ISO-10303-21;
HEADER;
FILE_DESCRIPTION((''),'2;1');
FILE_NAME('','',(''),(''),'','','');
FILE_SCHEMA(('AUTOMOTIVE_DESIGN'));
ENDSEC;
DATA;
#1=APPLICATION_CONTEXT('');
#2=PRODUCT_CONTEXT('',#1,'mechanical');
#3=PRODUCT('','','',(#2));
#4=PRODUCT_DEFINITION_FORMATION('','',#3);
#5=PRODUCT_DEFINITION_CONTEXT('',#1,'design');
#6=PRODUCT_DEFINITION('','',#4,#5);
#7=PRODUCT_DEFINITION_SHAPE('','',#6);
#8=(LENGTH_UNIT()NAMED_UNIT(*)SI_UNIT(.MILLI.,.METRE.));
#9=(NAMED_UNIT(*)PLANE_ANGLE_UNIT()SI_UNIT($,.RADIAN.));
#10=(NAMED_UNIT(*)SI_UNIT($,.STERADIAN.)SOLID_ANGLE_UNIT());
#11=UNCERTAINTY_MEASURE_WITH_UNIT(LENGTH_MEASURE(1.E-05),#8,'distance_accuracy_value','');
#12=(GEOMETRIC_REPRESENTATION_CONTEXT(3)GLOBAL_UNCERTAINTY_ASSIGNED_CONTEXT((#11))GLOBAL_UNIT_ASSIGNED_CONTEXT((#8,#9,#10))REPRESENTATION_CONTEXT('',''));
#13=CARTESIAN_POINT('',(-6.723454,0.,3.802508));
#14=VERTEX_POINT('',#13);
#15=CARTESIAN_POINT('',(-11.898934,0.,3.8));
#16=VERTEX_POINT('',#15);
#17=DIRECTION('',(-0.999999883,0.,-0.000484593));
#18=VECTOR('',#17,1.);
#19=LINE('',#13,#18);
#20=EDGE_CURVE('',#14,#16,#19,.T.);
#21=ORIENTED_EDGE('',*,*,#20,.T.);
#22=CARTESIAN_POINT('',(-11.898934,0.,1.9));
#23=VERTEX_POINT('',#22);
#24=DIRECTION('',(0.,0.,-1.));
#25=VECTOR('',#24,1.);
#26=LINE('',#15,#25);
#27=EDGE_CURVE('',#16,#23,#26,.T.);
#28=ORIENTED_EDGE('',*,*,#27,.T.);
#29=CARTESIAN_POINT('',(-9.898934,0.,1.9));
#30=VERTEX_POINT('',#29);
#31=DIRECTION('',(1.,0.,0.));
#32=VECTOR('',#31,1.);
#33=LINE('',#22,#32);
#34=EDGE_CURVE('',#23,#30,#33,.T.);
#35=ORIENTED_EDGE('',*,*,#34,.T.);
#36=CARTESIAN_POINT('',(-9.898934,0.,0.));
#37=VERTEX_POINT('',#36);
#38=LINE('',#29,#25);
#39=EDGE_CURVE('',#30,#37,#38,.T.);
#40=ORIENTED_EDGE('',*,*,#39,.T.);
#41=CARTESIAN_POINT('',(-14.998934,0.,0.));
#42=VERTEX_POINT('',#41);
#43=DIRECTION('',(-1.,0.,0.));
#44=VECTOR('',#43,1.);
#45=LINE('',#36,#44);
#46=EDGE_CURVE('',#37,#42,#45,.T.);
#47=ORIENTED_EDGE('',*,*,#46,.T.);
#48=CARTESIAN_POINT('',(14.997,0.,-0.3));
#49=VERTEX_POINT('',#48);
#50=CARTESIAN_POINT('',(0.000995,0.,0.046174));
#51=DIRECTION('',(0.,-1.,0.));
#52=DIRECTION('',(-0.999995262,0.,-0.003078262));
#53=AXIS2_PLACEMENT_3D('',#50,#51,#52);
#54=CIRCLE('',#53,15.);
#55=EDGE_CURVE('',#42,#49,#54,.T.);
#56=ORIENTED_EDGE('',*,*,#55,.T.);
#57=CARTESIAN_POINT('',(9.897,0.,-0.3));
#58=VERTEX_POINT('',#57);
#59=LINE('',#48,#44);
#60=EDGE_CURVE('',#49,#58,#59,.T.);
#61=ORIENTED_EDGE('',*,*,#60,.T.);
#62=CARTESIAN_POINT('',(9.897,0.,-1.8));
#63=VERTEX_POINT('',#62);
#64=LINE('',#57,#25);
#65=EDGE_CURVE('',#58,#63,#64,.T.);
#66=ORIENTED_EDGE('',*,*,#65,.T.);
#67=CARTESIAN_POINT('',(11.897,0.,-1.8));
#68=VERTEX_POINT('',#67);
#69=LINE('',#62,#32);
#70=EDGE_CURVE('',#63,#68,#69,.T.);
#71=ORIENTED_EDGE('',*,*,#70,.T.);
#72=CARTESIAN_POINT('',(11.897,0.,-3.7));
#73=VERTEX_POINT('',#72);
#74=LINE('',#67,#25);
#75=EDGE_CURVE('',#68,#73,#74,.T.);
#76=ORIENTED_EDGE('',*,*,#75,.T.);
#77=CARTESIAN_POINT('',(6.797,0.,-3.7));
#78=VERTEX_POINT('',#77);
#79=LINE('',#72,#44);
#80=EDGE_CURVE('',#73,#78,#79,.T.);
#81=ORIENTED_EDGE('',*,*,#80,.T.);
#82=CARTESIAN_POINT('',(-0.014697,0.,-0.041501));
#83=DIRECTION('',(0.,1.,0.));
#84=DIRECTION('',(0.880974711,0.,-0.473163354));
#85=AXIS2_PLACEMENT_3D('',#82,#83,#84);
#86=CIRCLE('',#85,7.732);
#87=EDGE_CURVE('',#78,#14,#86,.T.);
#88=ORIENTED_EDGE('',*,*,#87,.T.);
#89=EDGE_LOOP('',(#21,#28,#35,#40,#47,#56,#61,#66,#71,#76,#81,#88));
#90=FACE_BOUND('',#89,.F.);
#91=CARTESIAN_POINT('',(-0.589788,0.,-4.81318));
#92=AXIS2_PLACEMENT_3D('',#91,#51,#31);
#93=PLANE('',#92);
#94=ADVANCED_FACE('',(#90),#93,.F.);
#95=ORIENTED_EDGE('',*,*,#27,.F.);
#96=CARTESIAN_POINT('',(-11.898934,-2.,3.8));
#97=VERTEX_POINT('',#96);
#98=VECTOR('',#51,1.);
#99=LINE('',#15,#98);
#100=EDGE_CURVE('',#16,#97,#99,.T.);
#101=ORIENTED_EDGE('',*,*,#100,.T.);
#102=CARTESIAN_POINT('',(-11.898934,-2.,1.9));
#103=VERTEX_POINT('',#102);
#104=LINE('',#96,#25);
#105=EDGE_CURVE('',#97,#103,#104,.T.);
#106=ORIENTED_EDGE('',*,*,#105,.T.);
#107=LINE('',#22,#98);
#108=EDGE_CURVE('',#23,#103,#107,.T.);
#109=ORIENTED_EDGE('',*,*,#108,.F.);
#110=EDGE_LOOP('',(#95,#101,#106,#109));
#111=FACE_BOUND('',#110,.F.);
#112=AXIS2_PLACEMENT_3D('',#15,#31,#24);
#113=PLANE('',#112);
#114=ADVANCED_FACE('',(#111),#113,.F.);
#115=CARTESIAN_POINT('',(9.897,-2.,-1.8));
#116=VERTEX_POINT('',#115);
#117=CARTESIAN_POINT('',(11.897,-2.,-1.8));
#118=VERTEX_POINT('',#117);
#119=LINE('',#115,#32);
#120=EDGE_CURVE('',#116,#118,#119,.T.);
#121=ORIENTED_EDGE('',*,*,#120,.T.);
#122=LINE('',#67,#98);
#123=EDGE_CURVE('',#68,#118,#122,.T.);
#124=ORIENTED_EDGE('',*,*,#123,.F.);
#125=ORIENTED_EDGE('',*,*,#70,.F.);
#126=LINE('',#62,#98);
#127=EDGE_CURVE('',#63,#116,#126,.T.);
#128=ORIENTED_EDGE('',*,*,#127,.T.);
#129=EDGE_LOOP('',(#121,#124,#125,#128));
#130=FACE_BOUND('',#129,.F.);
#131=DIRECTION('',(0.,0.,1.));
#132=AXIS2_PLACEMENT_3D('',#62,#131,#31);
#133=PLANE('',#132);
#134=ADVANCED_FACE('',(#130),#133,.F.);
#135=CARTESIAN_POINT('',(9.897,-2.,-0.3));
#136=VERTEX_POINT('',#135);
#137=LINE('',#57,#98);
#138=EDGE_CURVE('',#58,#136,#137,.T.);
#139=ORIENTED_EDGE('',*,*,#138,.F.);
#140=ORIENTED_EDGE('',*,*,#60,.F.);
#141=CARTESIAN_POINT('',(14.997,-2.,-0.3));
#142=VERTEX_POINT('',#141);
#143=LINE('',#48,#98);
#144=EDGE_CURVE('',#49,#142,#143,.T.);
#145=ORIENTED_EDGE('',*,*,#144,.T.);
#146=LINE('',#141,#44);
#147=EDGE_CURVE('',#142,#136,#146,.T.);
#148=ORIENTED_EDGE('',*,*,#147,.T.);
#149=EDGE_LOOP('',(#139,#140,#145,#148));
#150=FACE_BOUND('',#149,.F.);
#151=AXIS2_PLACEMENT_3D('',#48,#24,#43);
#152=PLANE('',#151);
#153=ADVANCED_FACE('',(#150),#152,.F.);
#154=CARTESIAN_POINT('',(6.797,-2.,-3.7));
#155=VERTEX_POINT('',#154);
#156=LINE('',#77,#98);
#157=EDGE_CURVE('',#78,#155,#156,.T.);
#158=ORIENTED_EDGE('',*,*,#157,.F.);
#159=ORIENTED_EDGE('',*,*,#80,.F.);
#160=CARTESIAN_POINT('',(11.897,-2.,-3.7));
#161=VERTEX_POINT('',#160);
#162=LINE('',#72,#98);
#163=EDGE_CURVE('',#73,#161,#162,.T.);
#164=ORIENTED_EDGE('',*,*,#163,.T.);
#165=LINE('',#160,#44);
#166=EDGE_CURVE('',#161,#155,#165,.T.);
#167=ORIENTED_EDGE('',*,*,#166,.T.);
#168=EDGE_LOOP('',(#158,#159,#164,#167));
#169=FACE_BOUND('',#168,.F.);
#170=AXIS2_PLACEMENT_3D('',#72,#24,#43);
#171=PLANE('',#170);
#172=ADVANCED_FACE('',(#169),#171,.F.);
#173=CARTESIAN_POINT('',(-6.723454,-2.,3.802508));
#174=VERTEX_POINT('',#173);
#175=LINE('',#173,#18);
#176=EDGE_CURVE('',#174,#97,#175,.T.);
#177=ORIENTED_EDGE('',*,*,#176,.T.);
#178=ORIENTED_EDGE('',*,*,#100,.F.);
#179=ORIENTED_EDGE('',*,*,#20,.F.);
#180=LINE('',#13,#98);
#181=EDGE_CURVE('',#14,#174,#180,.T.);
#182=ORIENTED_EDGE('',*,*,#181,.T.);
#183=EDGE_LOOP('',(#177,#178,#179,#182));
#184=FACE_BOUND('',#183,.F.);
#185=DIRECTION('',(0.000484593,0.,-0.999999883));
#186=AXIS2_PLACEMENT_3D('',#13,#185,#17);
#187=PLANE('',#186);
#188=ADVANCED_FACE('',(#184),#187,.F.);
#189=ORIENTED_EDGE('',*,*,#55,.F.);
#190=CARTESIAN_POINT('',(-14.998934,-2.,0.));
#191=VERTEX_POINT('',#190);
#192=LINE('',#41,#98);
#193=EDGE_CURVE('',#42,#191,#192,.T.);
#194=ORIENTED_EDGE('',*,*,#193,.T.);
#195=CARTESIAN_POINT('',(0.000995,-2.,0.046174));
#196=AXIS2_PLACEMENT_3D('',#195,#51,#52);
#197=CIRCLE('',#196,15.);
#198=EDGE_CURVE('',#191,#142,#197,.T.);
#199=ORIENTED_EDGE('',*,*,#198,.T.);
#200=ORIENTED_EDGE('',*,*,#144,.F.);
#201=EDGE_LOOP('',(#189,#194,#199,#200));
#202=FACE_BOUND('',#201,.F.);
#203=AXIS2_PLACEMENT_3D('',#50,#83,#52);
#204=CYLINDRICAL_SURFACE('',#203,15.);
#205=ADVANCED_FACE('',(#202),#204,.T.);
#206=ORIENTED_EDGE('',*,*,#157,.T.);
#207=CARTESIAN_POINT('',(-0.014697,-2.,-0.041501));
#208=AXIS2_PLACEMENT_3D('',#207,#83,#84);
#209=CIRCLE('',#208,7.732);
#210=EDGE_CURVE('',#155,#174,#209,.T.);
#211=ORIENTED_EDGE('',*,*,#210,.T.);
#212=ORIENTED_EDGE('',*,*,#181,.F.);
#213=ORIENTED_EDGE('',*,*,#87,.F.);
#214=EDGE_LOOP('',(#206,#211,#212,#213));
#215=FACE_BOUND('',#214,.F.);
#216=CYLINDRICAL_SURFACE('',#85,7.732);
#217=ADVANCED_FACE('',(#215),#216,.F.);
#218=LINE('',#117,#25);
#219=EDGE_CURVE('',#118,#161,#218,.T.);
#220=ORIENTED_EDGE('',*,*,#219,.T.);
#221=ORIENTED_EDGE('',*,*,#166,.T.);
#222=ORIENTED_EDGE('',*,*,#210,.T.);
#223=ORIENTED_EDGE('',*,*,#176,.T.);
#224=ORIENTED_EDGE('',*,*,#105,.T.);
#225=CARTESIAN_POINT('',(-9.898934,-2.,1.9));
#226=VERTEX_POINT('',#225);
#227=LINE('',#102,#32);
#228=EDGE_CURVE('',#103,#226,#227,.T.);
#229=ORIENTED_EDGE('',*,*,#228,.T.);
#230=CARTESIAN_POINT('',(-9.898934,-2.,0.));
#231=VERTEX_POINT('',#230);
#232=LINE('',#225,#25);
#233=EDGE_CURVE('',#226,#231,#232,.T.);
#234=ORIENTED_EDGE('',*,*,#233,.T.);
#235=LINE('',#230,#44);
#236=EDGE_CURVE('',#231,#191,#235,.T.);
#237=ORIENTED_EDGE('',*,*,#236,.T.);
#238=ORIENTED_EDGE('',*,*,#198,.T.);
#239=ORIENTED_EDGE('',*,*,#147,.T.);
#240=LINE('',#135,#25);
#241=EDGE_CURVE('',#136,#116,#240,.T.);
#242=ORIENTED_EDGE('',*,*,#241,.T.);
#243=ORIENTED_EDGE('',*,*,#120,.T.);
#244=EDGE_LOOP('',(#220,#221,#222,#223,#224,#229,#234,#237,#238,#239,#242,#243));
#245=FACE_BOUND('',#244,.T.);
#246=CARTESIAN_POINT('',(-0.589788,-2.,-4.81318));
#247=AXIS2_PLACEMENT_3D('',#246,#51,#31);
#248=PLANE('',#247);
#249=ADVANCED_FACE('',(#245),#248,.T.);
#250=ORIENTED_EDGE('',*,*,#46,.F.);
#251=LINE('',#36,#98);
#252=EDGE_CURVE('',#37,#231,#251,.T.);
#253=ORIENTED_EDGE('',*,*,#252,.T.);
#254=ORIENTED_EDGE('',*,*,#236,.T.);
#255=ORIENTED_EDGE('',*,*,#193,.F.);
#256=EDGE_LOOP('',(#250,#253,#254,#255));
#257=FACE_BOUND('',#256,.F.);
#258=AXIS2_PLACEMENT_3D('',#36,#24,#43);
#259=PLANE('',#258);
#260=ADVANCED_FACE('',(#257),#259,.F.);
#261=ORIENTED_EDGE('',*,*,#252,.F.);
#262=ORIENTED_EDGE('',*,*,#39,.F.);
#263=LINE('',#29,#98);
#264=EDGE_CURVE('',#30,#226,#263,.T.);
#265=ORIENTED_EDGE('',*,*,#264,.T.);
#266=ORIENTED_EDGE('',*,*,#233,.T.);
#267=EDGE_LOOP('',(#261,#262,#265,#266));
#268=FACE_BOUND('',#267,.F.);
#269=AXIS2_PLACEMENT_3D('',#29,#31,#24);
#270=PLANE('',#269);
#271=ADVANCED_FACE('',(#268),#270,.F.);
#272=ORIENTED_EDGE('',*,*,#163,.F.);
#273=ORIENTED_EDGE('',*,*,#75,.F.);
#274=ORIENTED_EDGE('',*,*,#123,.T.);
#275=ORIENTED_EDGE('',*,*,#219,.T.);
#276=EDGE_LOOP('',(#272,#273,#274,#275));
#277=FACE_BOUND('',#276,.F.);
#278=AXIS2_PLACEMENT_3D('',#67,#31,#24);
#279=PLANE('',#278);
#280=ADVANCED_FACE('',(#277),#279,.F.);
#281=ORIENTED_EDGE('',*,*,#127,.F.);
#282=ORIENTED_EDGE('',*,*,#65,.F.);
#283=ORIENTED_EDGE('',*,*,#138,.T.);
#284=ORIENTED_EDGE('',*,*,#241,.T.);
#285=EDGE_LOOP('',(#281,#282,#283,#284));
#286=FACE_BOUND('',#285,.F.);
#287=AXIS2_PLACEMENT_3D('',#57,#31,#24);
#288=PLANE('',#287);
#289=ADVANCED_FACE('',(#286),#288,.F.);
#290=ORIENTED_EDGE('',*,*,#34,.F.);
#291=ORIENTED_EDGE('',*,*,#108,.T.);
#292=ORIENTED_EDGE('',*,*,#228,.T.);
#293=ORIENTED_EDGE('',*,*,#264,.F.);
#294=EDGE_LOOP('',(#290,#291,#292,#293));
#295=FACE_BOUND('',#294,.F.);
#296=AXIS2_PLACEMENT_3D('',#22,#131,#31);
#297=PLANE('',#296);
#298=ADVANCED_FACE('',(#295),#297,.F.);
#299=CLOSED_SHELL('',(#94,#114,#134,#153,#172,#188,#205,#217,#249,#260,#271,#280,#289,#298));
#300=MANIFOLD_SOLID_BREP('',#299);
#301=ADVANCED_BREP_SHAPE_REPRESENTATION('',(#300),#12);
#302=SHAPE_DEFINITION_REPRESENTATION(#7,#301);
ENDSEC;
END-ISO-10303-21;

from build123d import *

# Parameters (mm, degrees)
F1_DEPTH = 2


with BuildPart() as f1:
    # F0 (on Front) → F1 (new body)
    with BuildSketch(Plane.XZ):
        with BuildLine():
            Line((-9.898934, 0), (-14.998934, 0))
            ThreePointArc((-14.998934, 0), (-0.149018, -14.953076), (14.997, -0.3))
            Line((14.997, -0.3), (9.897, -0.3))
            Line((9.897, -0.3), (9.897, -1.8))
            Line((9.897, -1.8), (11.897, -1.8))
            Line((11.897, -1.8), (11.897, -3.7))
            Line((11.897, -3.7), (6.797, -3.7))
            ThreePointArc((6.797, -3.7), (-3.766304, -6.802364), (-6.723454, 3.802508))
            Line((-6.723454, 3.802508), (-11.898934, 3.8))
            Line((-11.898934, 3.8), (-11.898934, 1.9))
            Line((-11.898934, 1.9), (-9.898934, 1.9))
            Line((-9.898934, 1.9), (-9.898934, 0))
        make_face()
    extrude(amount=F1_DEPTH)


solid = f1.part
